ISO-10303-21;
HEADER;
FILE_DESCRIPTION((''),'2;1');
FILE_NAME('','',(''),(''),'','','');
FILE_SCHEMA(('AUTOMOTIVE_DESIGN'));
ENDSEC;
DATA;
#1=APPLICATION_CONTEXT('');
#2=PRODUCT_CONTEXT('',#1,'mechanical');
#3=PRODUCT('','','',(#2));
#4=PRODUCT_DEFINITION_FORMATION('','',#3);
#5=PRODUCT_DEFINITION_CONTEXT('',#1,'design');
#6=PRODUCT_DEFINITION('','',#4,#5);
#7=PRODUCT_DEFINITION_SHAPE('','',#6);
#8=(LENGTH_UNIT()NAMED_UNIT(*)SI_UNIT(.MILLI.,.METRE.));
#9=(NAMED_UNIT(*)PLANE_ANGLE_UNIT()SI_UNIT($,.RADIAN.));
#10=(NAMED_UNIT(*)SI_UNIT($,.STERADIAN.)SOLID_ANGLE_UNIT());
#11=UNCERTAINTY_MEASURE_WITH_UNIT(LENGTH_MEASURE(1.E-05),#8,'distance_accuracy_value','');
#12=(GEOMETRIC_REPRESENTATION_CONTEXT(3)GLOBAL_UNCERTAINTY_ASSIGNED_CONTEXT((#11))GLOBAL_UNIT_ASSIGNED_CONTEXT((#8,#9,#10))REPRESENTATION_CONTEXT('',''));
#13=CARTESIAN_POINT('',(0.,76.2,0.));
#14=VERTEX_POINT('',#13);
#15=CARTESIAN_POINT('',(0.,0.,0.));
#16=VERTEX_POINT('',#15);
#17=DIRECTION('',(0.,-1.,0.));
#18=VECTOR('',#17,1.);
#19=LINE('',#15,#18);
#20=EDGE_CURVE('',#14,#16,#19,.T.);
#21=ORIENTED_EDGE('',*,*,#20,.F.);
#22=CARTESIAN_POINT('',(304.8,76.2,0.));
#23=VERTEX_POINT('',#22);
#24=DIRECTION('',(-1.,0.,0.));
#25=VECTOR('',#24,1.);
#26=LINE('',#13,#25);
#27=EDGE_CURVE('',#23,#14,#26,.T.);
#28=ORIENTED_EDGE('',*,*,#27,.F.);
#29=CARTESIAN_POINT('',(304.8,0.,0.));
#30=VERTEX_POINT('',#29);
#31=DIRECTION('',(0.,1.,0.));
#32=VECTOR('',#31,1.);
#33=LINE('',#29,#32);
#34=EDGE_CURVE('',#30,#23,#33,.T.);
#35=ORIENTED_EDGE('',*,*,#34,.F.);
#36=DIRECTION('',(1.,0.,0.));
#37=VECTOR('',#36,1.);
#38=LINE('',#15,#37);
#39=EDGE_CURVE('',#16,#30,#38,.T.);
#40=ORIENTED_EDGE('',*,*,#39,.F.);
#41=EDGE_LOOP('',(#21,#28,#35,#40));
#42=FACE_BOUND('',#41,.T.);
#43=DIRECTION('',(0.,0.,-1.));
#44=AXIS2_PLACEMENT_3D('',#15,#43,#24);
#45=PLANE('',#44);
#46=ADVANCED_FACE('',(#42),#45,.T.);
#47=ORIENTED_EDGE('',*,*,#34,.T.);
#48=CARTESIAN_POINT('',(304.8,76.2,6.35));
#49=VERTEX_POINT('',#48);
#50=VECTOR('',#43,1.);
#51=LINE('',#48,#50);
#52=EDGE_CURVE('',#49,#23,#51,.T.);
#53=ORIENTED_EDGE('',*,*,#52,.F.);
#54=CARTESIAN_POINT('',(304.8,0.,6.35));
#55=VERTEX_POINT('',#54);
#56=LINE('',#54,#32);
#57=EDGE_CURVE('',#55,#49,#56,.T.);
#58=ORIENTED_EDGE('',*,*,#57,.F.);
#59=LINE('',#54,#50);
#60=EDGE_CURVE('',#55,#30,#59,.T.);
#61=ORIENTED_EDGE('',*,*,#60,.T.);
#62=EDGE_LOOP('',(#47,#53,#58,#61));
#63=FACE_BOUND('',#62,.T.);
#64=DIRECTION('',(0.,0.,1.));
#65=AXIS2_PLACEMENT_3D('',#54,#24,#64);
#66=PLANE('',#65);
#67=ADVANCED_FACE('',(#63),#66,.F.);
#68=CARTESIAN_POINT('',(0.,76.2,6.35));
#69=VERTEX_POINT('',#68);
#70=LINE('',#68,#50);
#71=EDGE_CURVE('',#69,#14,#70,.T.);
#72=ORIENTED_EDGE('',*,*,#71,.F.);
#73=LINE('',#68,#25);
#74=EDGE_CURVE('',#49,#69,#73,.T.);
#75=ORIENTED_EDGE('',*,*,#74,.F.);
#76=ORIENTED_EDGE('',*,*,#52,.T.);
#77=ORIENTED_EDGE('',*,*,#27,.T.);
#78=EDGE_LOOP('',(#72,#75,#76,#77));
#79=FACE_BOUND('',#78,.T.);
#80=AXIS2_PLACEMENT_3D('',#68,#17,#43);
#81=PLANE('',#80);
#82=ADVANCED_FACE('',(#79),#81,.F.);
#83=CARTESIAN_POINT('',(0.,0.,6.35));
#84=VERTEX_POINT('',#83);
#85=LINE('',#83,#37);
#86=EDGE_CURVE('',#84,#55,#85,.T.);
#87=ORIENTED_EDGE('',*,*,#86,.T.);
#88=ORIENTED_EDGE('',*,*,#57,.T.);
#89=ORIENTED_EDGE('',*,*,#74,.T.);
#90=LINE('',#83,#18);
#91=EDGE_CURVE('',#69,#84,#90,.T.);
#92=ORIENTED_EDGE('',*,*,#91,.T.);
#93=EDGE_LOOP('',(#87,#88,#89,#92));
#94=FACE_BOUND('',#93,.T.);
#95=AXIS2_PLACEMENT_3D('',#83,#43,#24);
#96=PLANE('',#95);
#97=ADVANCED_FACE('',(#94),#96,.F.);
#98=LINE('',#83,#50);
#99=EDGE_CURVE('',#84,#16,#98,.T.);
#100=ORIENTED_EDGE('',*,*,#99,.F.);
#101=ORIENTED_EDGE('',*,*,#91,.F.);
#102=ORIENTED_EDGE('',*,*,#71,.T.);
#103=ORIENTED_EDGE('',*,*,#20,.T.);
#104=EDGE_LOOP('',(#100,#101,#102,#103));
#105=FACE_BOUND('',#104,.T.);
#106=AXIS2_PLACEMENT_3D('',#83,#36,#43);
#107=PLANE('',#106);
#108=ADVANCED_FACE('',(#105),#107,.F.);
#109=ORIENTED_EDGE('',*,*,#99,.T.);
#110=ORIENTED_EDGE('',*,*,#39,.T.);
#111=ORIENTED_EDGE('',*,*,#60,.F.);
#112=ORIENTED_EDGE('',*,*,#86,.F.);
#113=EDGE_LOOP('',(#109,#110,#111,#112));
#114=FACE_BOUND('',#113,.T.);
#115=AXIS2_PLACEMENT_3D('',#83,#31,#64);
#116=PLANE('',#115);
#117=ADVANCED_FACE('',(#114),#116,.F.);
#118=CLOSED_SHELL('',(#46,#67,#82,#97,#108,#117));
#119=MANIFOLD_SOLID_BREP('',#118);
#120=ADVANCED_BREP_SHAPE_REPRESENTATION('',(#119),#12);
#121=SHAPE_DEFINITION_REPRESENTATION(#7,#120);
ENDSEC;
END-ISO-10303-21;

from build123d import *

# Parameters (mm, degrees)
SKETCH1_W           = 304.8
SKETCH1_H           = 76.2
BOSS_EXTRUDE1_DEPTH = 6.35


with BuildPart() as part:
    # Sketch1 → Boss-Extrude1 (new body)
    with BuildSketch(Plane.XY):
        with Locations((152.4, 38.1)):
            Rectangle(SKETCH1_W, SKETCH1_H)
    extrude(amount=BOSS_EXTRUDE1_DEPTH)


solid = part.part
